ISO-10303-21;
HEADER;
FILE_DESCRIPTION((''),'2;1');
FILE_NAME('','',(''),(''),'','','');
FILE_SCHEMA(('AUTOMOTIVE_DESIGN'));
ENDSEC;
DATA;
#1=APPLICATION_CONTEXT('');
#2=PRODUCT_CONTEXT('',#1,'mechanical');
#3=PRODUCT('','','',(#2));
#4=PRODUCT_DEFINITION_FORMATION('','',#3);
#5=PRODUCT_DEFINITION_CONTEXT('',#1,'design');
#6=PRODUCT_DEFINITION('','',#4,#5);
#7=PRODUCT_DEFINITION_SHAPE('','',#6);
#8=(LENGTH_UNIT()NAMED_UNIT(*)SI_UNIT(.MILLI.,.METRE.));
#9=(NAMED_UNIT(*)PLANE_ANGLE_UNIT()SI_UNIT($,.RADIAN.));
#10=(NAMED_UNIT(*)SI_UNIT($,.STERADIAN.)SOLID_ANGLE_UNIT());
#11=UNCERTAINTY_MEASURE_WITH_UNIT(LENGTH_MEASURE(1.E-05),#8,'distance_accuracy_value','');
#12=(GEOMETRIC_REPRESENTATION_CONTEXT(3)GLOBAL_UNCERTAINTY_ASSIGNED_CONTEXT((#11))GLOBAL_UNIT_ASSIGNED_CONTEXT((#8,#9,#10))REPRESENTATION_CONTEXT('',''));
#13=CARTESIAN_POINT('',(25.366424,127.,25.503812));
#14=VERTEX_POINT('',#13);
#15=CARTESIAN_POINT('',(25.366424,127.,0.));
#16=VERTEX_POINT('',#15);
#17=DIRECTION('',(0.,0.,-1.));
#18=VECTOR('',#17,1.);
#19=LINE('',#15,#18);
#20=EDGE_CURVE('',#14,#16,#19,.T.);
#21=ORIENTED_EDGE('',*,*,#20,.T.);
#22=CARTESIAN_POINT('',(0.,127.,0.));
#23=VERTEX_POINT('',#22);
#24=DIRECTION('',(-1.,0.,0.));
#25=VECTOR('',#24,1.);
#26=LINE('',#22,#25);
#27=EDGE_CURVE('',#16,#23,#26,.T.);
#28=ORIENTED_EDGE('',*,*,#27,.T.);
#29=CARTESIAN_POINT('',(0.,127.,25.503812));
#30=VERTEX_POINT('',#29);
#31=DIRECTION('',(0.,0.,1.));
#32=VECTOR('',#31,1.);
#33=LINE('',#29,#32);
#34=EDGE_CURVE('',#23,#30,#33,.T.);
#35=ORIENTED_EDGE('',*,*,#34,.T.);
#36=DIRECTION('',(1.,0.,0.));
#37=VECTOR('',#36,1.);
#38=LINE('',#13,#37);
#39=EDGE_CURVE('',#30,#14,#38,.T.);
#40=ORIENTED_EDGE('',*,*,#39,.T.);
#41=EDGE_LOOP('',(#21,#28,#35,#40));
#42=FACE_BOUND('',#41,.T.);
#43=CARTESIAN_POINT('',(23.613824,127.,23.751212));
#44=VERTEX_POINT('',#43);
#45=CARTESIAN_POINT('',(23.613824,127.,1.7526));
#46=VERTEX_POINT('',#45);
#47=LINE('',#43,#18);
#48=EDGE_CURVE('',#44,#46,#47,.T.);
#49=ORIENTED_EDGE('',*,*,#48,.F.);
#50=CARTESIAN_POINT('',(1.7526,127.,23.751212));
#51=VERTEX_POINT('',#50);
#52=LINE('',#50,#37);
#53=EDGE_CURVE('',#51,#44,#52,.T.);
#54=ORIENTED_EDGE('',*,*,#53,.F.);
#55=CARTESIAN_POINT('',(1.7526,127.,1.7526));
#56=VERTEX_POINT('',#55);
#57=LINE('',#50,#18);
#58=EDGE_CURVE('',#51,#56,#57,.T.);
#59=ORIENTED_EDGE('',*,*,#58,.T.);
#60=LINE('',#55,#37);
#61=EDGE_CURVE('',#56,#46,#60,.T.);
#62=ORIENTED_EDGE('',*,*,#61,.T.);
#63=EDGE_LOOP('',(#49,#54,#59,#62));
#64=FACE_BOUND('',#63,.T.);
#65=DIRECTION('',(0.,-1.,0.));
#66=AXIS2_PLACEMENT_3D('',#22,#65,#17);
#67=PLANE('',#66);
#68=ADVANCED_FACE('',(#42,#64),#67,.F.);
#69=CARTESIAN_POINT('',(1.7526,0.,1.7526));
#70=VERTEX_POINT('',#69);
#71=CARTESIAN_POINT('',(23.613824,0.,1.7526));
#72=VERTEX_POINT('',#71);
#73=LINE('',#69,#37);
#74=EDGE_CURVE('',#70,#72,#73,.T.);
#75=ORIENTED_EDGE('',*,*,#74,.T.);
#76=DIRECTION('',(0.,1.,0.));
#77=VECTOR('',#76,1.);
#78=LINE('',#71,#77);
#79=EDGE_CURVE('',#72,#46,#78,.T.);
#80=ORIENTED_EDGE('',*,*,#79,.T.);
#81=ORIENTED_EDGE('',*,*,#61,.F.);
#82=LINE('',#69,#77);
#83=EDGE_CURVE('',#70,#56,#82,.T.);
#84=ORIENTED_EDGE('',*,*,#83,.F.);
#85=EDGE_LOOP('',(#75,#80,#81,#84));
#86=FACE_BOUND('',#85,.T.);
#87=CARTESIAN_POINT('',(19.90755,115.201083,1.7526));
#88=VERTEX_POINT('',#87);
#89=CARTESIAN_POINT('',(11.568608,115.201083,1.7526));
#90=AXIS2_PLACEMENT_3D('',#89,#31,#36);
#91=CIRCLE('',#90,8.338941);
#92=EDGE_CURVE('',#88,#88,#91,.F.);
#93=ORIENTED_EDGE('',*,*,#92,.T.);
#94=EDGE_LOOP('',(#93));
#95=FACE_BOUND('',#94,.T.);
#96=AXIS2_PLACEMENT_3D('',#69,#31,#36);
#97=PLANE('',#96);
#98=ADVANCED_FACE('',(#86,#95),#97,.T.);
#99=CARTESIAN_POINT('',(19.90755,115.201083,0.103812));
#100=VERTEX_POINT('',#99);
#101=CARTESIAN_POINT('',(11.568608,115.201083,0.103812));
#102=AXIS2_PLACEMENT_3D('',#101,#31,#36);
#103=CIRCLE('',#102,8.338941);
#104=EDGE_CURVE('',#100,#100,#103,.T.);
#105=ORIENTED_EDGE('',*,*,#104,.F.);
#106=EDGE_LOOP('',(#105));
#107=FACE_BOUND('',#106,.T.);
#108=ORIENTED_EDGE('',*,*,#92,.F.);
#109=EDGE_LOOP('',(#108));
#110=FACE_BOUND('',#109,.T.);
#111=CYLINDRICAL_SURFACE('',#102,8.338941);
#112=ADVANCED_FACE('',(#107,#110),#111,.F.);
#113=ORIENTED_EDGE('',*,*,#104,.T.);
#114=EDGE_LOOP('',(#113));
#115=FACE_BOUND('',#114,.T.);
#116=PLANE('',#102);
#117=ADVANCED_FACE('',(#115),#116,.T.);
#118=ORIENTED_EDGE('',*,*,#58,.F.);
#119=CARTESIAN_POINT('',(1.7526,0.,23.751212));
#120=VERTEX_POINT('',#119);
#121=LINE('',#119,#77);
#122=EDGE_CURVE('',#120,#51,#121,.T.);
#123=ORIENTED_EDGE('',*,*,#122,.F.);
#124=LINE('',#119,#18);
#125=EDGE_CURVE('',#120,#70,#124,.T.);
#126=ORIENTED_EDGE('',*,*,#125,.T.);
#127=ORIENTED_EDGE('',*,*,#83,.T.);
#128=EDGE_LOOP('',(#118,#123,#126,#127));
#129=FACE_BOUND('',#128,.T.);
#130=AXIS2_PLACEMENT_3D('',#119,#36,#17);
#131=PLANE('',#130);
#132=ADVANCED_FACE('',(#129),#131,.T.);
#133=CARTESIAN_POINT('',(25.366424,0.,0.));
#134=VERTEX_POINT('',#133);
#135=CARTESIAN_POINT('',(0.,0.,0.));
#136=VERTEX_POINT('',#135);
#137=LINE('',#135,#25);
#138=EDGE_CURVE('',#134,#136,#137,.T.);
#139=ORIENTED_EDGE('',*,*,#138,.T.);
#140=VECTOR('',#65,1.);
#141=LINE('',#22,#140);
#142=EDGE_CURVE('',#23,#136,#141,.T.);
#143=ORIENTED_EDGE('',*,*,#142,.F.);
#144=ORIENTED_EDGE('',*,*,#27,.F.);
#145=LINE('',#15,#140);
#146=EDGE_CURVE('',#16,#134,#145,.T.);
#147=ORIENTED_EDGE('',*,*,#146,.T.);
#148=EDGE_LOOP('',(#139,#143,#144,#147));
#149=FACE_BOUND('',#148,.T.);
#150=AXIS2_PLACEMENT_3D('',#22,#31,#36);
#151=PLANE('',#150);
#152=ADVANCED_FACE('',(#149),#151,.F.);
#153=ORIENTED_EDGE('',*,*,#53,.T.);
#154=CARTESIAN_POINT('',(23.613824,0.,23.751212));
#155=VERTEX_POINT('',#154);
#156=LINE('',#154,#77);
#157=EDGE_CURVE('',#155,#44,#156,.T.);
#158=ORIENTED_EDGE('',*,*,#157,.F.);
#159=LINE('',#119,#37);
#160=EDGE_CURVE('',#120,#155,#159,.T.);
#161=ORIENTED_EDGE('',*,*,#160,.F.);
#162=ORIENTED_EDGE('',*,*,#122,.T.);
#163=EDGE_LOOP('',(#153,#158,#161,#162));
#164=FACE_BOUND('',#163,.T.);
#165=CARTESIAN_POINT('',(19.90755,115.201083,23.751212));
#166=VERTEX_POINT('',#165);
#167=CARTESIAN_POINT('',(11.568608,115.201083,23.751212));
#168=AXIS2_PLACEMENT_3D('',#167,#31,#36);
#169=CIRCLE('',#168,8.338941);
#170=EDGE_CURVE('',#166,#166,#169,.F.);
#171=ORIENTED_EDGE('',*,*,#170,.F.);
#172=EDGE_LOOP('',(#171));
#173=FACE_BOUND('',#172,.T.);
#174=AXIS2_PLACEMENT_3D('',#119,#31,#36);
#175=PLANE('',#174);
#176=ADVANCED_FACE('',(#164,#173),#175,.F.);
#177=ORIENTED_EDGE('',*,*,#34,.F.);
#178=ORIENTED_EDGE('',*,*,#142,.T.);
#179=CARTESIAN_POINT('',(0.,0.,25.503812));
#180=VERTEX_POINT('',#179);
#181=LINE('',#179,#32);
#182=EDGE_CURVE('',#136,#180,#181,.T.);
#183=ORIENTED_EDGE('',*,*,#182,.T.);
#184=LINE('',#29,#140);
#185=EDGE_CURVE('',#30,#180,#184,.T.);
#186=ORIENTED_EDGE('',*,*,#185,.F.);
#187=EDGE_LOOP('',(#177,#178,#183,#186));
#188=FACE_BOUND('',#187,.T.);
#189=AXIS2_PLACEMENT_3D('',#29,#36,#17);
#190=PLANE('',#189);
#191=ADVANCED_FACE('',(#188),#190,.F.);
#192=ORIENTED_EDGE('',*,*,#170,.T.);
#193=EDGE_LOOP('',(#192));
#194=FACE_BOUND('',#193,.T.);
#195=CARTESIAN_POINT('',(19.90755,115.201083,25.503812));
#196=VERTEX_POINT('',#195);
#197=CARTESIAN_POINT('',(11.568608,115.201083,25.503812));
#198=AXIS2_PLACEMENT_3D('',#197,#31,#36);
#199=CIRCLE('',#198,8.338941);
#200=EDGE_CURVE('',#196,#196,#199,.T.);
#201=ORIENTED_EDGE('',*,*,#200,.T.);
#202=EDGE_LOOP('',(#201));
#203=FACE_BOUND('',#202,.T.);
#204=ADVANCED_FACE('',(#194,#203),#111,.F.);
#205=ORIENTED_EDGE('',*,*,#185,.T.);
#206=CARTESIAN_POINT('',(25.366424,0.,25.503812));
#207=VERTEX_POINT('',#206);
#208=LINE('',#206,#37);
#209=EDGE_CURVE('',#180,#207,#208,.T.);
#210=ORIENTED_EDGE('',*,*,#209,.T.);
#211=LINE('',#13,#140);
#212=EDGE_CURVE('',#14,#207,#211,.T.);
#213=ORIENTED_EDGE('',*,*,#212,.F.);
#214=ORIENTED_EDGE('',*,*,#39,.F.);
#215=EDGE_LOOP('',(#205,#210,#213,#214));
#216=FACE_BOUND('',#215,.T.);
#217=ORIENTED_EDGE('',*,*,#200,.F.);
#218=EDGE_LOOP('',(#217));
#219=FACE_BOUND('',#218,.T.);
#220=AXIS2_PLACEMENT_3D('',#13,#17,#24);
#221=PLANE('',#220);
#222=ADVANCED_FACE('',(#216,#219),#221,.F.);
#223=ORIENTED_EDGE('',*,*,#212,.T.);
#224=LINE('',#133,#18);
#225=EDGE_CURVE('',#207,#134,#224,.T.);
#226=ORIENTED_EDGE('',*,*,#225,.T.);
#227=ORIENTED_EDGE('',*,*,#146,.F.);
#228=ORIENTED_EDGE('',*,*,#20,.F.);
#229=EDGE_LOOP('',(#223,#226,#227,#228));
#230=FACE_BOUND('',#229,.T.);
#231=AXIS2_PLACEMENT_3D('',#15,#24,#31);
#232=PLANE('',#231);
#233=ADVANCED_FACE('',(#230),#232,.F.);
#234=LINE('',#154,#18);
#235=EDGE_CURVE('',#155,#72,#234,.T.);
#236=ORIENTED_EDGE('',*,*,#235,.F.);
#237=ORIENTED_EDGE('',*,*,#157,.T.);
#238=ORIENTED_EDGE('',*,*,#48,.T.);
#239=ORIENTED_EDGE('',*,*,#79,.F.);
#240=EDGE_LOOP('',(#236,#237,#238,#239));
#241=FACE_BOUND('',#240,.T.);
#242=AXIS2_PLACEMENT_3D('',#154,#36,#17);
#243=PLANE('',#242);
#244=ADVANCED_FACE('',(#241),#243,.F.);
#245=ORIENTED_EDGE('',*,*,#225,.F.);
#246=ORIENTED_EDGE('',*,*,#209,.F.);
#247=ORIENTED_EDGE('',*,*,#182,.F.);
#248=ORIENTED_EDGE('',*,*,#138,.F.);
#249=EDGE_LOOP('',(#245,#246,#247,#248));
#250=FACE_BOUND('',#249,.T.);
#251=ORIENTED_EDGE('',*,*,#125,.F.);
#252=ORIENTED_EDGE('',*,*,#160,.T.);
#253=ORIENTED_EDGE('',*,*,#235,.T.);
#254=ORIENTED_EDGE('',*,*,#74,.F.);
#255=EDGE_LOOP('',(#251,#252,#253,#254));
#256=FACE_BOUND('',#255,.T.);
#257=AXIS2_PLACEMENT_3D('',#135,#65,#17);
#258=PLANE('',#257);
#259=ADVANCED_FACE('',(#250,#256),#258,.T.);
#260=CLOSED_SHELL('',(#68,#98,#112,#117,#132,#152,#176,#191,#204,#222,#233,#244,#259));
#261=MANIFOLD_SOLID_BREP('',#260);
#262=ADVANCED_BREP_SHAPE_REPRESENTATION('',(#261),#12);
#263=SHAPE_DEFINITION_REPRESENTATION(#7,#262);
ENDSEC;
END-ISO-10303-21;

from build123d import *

# Parameters (mm, degrees)
SKETCH1_W           = 25.366424343
SKETCH1_H           = 25.503811798
BOSS_EXTRUDE1_DEPTH = 127
SKETCH2_R           = 8.338941436
CUT_EXTRUDE1_DEPTH  = 25.4
SKETCH3_W           = 21.861224343
SKETCH3_H           = 21.998611798
CUT_EXTRUDE2_DEPTH  = 127


with BuildPart() as part:
    # Sketch1 → Boss-Extrude1 (new body)
    with BuildSketch(Plane(origin=(0, 0, 0), x_dir=(1, 0, 0), z_dir=(0, 1, 0))):
        with Locations((12.683212172, -12.751905899)):
            Rectangle(SKETCH1_W, SKETCH1_H)
    extrude(amount=BOSS_EXTRUDE1_DEPTH)

    # Sketch2 → Cut-Extrude1 (cut)
    with BuildSketch(Plane.XY.offset(25.503811798)):
        with Locations((11.568608199, 115.201083313)):
            Circle(SKETCH2_R)
    extrude(amount=-CUT_EXTRUDE1_DEPTH, mode=Mode.SUBTRACT)

    # Sketch3 → Cut-Extrude2 (cut)
    with BuildSketch(Plane(origin=(0, 127, 0), x_dir=(1, 0, 0), z_dir=(0, 1, 0))):
        with Locations((12.683212172, -12.751905899)):
            Rectangle(SKETCH3_W, SKETCH3_H)
    extrude(amount=-CUT_EXTRUDE2_DEPTH, mode=Mode.SUBTRACT)


solid = part.part
